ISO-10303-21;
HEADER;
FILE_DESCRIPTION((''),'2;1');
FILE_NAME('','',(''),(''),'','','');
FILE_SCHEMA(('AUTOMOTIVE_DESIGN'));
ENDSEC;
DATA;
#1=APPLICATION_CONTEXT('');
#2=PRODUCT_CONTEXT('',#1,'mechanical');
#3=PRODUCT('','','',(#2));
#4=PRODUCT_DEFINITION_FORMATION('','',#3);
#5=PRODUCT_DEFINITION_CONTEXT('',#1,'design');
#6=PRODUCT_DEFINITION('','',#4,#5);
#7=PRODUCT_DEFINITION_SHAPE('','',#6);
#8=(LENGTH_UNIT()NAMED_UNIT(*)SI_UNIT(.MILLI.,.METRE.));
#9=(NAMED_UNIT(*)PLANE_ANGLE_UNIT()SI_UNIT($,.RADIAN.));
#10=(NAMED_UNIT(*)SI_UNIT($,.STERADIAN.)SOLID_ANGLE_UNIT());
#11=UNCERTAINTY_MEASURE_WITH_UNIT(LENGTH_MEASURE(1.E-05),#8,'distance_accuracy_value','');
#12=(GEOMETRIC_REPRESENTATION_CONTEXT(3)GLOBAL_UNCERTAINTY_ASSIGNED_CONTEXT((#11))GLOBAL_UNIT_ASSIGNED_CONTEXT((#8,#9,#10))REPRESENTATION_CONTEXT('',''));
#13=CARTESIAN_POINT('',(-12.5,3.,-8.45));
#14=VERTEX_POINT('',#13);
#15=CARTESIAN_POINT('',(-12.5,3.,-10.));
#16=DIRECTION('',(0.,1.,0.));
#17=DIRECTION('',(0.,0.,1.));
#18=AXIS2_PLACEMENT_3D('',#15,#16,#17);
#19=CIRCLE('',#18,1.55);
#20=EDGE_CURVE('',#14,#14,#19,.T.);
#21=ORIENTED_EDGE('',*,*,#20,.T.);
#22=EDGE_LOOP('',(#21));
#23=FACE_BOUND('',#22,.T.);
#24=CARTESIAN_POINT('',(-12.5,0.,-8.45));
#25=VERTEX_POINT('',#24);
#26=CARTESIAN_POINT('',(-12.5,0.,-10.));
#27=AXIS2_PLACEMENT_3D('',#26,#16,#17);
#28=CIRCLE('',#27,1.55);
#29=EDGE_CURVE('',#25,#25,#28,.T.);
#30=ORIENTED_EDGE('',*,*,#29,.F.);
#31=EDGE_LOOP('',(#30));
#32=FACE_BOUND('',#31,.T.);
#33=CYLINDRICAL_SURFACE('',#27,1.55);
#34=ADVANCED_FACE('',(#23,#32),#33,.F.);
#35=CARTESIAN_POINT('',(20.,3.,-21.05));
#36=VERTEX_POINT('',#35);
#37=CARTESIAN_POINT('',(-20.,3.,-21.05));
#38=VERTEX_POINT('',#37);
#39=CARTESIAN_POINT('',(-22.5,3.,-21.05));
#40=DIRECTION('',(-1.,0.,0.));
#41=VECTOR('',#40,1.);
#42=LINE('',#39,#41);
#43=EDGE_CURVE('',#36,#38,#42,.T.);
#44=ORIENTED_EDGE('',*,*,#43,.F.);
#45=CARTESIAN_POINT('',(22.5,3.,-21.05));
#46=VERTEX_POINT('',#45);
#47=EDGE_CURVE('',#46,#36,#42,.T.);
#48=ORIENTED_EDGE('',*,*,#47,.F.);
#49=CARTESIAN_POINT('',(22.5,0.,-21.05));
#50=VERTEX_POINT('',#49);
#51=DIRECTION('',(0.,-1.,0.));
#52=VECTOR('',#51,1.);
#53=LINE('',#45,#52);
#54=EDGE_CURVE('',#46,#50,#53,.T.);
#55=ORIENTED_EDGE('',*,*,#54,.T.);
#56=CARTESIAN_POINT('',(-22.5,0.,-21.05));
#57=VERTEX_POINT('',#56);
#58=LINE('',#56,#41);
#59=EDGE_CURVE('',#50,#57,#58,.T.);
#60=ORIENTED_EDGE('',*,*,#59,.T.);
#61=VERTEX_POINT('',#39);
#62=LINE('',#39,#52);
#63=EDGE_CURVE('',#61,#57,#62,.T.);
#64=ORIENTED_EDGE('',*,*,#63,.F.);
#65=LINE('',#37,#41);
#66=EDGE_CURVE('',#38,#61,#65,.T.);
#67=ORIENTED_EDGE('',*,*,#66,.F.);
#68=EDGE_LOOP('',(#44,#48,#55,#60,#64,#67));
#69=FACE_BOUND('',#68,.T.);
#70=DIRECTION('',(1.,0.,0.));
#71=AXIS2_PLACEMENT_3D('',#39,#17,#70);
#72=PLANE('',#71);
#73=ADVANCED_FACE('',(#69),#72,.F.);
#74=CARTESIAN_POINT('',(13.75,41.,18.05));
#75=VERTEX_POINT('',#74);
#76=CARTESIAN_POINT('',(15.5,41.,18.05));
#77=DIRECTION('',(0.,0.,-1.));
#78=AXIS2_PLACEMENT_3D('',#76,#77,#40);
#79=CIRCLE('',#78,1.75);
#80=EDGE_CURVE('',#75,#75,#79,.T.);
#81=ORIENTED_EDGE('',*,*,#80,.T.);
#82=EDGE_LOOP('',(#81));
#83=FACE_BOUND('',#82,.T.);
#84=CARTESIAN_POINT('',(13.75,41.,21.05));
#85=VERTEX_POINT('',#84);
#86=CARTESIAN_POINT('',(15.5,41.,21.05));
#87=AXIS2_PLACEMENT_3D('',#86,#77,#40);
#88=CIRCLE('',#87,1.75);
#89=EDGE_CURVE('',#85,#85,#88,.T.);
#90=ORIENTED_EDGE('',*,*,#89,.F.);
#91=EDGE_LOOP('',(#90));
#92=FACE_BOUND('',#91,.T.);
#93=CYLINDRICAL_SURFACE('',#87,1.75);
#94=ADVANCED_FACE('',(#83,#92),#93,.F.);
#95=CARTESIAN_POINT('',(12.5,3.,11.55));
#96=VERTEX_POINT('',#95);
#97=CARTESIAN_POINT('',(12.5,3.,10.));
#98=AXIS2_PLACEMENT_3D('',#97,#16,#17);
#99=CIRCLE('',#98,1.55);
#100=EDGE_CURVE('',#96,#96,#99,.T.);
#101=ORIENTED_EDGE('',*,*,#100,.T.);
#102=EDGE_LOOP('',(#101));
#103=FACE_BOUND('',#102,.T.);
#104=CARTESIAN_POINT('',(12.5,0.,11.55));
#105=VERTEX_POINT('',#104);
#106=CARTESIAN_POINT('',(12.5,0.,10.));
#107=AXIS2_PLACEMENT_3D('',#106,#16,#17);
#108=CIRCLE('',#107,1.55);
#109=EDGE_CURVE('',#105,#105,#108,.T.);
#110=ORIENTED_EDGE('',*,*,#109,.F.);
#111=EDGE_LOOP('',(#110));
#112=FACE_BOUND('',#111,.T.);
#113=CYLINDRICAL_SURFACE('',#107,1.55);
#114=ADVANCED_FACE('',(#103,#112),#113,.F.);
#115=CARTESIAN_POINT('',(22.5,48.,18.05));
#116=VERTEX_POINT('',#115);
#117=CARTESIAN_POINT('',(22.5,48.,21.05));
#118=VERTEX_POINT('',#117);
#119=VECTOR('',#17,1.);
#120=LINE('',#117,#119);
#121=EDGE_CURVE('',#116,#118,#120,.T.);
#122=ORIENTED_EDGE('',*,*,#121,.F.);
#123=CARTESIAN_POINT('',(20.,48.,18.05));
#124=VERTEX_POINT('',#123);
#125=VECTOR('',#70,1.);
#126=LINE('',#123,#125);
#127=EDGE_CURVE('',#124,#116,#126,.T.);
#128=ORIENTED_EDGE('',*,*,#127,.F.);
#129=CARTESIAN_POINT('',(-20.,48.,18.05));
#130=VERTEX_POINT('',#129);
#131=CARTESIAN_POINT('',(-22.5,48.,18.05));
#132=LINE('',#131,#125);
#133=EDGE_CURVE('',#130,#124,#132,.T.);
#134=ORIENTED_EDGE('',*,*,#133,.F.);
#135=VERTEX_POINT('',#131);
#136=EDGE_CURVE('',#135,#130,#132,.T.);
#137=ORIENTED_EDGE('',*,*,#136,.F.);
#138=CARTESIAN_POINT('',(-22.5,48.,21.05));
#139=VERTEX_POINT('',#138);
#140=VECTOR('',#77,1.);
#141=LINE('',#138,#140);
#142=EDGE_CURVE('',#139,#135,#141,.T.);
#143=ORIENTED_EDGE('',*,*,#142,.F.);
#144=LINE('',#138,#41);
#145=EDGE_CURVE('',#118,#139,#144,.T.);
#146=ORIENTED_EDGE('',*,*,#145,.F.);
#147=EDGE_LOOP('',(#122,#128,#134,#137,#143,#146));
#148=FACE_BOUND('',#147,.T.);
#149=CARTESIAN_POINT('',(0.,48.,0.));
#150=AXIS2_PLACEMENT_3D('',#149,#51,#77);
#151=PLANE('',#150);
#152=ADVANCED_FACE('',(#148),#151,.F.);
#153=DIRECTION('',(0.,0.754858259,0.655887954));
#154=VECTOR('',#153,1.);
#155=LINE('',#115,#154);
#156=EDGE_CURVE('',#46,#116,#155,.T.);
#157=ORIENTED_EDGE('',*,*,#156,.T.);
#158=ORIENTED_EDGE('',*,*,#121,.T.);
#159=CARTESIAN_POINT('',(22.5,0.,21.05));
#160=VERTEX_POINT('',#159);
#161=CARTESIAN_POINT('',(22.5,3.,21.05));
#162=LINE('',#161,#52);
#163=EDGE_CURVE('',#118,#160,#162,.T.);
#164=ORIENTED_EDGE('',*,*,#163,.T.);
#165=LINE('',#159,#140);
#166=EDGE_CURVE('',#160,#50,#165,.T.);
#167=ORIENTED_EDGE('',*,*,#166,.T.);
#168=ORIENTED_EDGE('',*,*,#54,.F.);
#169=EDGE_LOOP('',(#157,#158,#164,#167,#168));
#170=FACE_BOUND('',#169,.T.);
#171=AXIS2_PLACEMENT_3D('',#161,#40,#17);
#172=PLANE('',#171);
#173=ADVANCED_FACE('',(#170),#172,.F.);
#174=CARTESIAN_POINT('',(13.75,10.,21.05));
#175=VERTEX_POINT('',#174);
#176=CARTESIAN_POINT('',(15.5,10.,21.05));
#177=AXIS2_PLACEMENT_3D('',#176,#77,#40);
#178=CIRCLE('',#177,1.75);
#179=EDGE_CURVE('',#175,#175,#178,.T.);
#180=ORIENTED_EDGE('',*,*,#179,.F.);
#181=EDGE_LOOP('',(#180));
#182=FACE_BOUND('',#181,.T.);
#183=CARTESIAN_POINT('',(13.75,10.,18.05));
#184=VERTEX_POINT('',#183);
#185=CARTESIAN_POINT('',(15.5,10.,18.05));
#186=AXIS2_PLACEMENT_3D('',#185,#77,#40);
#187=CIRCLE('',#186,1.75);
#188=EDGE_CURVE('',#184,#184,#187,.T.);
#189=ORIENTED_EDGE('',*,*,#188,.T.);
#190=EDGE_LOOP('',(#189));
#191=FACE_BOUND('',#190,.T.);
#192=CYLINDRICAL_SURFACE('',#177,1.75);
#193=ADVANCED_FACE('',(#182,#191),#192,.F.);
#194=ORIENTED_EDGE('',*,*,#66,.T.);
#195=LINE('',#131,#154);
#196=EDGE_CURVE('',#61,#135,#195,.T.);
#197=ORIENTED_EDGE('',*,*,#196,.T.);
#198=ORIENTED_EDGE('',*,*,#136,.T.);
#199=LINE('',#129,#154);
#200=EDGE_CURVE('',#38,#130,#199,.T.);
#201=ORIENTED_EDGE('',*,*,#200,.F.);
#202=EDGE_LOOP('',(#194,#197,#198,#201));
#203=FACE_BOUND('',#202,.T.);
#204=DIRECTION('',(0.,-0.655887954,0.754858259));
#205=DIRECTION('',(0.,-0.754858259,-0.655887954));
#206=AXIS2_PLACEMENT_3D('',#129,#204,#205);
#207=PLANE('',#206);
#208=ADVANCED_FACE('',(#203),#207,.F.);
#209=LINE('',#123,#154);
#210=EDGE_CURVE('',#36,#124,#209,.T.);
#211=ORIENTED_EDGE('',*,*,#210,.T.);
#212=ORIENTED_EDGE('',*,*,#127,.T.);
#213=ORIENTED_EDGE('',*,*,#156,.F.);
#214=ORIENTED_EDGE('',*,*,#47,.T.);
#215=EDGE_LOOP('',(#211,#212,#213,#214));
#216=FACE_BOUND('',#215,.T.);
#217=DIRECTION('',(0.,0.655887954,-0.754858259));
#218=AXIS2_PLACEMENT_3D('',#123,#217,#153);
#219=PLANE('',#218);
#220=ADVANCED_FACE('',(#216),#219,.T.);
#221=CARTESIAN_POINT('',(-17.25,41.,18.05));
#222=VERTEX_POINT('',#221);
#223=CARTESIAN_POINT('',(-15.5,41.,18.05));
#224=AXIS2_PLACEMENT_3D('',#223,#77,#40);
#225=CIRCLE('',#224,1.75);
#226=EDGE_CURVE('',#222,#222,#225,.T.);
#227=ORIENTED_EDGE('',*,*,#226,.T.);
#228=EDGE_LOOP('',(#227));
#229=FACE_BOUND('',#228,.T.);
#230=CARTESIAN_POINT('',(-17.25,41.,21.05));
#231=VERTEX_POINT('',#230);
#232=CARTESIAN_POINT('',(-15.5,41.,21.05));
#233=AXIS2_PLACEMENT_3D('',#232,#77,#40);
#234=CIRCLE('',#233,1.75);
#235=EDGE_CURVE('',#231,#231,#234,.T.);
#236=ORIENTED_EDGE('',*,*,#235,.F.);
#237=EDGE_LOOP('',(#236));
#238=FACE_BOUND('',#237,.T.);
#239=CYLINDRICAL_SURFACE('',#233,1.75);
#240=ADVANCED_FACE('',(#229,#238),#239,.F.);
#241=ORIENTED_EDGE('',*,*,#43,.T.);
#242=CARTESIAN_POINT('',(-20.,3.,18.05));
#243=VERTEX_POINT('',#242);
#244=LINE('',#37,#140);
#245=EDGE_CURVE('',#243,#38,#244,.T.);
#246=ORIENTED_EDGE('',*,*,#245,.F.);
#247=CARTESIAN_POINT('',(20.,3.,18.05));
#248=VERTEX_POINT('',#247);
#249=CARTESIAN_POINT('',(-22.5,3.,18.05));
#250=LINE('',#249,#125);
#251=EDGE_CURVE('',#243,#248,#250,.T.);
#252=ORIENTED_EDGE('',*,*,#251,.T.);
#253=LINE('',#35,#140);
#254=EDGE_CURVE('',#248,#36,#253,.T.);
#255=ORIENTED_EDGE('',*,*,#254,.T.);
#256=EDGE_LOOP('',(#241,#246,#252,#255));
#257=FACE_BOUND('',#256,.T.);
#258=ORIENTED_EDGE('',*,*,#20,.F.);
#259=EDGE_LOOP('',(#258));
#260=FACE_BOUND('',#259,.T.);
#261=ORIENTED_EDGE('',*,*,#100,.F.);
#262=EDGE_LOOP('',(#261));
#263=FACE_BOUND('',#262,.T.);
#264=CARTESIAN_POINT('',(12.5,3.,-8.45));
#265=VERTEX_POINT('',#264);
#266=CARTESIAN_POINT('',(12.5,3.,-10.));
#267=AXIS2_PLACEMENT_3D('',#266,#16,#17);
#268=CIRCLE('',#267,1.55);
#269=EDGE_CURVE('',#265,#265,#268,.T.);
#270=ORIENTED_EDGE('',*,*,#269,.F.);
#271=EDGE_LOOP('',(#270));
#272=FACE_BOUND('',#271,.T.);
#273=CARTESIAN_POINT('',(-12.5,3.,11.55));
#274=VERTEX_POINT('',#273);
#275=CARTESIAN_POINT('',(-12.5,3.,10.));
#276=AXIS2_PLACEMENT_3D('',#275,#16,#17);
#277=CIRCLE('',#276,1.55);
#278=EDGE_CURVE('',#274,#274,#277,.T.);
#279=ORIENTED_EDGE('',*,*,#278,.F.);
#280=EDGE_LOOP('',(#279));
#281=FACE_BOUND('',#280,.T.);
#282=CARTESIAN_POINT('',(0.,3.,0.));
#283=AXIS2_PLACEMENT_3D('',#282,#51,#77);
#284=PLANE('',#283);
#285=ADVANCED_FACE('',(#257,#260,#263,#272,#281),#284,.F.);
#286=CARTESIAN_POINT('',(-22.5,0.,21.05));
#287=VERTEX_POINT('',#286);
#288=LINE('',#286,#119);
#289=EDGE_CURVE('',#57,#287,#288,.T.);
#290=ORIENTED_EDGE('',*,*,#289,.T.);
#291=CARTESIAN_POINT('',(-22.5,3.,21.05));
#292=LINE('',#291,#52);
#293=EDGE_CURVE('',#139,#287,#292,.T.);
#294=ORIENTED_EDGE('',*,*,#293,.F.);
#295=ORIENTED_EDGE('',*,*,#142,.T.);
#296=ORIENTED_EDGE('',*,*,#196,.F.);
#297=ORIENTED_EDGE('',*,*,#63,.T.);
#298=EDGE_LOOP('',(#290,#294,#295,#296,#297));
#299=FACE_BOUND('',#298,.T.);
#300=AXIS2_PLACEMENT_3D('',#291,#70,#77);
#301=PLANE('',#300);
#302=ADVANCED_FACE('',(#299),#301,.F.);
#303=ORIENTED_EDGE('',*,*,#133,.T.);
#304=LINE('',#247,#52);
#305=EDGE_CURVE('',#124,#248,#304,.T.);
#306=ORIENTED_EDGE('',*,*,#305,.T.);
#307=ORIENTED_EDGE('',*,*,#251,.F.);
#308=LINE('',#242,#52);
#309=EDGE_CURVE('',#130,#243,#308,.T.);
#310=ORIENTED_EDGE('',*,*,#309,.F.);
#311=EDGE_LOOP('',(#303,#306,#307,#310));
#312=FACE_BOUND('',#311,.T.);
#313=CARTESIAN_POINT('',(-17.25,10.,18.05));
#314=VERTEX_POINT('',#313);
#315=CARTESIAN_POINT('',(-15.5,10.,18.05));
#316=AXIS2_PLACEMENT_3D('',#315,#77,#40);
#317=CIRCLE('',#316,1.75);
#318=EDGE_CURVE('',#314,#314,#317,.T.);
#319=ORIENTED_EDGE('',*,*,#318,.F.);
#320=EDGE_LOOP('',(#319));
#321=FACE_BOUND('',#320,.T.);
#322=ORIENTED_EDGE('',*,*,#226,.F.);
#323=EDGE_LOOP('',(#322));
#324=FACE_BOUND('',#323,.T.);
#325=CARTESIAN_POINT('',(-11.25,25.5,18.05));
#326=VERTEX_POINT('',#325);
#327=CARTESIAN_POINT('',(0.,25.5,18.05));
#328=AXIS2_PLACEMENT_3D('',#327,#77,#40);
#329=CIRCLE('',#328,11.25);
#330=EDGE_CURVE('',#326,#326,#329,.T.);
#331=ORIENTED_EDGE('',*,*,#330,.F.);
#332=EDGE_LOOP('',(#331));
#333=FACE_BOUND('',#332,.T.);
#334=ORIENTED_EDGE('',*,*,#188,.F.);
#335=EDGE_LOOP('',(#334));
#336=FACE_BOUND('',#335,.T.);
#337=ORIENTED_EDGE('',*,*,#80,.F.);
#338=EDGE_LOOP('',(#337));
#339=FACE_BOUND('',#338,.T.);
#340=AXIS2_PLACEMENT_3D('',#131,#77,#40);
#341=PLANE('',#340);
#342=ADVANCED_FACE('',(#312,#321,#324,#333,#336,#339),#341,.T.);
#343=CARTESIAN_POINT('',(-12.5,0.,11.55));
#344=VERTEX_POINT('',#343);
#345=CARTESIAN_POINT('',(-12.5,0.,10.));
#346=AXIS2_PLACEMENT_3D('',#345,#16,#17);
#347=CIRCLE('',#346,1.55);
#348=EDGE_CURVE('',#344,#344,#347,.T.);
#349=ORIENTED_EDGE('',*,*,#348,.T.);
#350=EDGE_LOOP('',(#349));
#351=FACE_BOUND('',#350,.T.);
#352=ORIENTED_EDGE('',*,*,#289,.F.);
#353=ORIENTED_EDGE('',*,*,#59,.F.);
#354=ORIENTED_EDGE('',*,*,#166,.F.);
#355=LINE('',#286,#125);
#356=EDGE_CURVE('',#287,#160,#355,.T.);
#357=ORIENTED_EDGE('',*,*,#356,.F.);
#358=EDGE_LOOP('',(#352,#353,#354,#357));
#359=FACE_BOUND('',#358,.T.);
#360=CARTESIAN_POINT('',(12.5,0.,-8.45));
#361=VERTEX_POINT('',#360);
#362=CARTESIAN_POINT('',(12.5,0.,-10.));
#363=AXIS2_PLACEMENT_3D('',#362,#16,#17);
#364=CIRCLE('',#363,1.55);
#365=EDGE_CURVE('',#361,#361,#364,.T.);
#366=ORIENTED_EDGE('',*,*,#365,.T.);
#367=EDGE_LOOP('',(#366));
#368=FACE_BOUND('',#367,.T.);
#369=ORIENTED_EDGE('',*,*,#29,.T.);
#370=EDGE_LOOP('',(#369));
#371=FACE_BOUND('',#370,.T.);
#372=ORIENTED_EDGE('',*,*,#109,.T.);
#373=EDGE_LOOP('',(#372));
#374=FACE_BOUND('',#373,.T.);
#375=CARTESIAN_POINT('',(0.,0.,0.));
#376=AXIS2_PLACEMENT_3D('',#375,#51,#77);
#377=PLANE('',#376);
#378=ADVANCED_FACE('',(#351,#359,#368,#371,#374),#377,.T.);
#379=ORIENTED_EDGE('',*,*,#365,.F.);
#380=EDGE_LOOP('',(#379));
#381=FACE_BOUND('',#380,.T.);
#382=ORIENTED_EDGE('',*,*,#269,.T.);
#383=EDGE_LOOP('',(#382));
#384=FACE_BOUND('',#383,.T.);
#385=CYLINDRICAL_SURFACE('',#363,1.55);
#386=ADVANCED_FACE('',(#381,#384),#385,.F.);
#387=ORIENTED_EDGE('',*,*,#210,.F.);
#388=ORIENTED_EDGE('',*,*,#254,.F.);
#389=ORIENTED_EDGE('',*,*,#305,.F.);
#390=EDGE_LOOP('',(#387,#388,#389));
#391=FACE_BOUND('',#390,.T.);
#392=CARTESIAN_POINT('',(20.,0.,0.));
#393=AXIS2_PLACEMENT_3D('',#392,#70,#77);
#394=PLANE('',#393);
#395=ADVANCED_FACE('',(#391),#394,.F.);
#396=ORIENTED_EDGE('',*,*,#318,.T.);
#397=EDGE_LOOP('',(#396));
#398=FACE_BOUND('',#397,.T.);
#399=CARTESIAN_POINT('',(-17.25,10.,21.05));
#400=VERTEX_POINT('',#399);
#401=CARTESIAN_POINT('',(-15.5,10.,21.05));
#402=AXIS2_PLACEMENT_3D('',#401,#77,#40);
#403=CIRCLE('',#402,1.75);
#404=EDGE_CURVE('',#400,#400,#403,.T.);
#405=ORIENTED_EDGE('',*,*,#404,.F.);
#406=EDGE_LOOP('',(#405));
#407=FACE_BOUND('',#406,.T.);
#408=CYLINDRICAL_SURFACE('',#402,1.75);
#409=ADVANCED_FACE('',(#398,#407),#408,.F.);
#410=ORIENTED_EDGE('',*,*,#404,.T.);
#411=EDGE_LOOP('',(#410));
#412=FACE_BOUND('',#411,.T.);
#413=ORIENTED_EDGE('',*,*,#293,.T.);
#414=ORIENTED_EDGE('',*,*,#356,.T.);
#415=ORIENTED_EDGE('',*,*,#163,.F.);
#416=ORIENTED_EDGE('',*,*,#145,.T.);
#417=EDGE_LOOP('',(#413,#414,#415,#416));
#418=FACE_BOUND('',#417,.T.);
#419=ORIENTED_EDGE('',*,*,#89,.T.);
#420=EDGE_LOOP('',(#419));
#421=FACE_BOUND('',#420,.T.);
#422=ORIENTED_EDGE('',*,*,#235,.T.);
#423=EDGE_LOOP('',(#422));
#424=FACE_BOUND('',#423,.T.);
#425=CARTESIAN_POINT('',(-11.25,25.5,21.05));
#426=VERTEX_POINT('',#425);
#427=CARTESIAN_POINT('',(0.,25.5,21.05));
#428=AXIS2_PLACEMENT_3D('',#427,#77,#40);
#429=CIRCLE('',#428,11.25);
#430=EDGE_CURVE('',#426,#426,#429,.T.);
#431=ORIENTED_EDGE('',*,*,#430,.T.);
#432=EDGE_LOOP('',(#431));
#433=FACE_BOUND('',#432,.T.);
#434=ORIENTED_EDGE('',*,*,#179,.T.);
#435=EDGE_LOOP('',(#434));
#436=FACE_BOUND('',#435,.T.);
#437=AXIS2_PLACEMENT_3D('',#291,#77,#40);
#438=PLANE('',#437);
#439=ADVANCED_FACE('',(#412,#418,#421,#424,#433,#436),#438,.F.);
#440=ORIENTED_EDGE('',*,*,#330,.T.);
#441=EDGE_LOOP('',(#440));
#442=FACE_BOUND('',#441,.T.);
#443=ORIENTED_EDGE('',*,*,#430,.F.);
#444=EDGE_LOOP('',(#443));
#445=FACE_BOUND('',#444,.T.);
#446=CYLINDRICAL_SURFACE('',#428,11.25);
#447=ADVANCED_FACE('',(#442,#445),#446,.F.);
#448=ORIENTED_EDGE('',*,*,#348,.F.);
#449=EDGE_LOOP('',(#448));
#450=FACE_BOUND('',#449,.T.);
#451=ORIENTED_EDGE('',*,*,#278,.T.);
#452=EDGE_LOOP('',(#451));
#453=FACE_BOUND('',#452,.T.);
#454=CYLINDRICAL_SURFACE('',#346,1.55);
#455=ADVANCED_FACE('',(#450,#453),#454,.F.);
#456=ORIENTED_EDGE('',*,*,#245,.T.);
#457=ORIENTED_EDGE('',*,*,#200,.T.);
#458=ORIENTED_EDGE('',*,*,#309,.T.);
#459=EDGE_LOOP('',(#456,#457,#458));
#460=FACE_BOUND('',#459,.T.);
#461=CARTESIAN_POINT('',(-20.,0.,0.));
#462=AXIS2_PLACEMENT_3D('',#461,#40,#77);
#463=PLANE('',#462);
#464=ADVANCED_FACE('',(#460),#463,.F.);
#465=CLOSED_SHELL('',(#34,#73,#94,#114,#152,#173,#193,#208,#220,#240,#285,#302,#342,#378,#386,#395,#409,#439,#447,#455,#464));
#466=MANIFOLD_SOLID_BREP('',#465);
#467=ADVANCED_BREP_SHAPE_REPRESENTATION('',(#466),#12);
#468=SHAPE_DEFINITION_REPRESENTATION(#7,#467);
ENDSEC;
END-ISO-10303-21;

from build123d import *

# Parameters (mm, degrees)
SKETCH1_W           = 45
SKETCH1_H           = 42.1
BOSS_EXTRUDE1_DEPTH = 3
SKETCH2_W           = 45
SKETCH2_H           = 3
BOSS_EXTRUDE2_DEPTH = 45
SKETCH4_R           = 11.25
CUT_EXTRUDE1_DEPTH  = 66.871541655
SKETCH5_R           = 1.75
CUT_EXTRUDE2_DEPTH  = 66.871541655
SKETCH6_R           = 1.55
CUT_EXTRUDE3_DEPTH  = 3
BOSS_EXTRUDE3_DEPTH = 2.5


with BuildPart() as part:
    # Sketch1 → Boss-Extrude1 (new body)
    with BuildSketch(Plane(origin=(0, 0, 0), x_dir=(1, 0, 0), z_dir=(0, 1, 0))):
        Rectangle(SKETCH1_W, SKETCH1_H)
    extrude(amount=BOSS_EXTRUDE1_DEPTH)

    # Sketch2 → Boss-Extrude2 (add)
    with BuildSketch(Plane.XZ.offset(-3)):
        with Locations((0, 19.55)):
            Rectangle(SKETCH2_W, SKETCH2_H)
    extrude(amount=-BOSS_EXTRUDE2_DEPTH)

    # Sketch4 → Cut-Extrude1 (cut, through all)
    with BuildSketch(Plane(origin=(0, 0, 18.05), x_dir=(-1, 0, 0), z_dir=(0, 0, -1))):
        with Locations((0, 25.5)):
            Circle(SKETCH4_R)
    extrude(amount=-CUT_EXTRUDE1_DEPTH, mode=Mode.SUBTRACT)

    # Sketch5 → Cut-Extrude2 (cut, through all)
    with BuildSketch(Plane(origin=(0, 0, 18.05), x_dir=(-1, 0, 0), z_dir=(0, 0, -1))):
        with Locations((-15.5, 41)):
            Circle(SKETCH5_R)
        with Locations((15.5, 41)):
            Circle(SKETCH5_R)
        with Locations((15.5, 10)):
            Circle(SKETCH5_R)
        with Locations((-15.5, 10)):
            Circle(SKETCH5_R)
    extrude(amount=-CUT_EXTRUDE2_DEPTH, mode=Mode.SUBTRACT)

    # Sketch6 → Cut-Extrude3 (cut)
    with BuildSketch(Plane(origin=(0, 3, 0), x_dir=(1, 0, 0), z_dir=(0, 1, 0))):
        with Locations(Location((12.5, -10, 0), (0, 0, 270))):
            Circle(SKETCH6_R)
        with Locations(Location((-12.5, -10, 0), (0, 0, 270))):
            Circle(SKETCH6_R)
        with Locations(Location((-12.5, 10, 0), (0, 0, 270))):
            Circle(SKETCH6_R)
        with Locations(Location((12.5, 10, 0), (0, 0, 270))):
            Circle(SKETCH6_R)
    extrude(amount=-CUT_EXTRUDE3_DEPTH, mode=Mode.SUBTRACT)

    # Sketch8 → Boss-Extrude3 (add)
    with BuildSketch(Plane(origin=(22.5, 0, 0), x_dir=(0, 0, -1), z_dir=(1, 0, 0))):
        Polygon((-18.05, 48), (21.05, 3), (-18.05, 3), align=None)
    boss_extrude3 = extrude(amount=-BOSS_EXTRUDE3_DEPTH)

    # Mirror1: Boss-Extrude3 across plane
    add(boss_extrude3.mirror(Plane(origin=(0, 0, 0), x_dir=(0, 0, 1), z_dir=(1, 0, 0))))


solid = part.part
